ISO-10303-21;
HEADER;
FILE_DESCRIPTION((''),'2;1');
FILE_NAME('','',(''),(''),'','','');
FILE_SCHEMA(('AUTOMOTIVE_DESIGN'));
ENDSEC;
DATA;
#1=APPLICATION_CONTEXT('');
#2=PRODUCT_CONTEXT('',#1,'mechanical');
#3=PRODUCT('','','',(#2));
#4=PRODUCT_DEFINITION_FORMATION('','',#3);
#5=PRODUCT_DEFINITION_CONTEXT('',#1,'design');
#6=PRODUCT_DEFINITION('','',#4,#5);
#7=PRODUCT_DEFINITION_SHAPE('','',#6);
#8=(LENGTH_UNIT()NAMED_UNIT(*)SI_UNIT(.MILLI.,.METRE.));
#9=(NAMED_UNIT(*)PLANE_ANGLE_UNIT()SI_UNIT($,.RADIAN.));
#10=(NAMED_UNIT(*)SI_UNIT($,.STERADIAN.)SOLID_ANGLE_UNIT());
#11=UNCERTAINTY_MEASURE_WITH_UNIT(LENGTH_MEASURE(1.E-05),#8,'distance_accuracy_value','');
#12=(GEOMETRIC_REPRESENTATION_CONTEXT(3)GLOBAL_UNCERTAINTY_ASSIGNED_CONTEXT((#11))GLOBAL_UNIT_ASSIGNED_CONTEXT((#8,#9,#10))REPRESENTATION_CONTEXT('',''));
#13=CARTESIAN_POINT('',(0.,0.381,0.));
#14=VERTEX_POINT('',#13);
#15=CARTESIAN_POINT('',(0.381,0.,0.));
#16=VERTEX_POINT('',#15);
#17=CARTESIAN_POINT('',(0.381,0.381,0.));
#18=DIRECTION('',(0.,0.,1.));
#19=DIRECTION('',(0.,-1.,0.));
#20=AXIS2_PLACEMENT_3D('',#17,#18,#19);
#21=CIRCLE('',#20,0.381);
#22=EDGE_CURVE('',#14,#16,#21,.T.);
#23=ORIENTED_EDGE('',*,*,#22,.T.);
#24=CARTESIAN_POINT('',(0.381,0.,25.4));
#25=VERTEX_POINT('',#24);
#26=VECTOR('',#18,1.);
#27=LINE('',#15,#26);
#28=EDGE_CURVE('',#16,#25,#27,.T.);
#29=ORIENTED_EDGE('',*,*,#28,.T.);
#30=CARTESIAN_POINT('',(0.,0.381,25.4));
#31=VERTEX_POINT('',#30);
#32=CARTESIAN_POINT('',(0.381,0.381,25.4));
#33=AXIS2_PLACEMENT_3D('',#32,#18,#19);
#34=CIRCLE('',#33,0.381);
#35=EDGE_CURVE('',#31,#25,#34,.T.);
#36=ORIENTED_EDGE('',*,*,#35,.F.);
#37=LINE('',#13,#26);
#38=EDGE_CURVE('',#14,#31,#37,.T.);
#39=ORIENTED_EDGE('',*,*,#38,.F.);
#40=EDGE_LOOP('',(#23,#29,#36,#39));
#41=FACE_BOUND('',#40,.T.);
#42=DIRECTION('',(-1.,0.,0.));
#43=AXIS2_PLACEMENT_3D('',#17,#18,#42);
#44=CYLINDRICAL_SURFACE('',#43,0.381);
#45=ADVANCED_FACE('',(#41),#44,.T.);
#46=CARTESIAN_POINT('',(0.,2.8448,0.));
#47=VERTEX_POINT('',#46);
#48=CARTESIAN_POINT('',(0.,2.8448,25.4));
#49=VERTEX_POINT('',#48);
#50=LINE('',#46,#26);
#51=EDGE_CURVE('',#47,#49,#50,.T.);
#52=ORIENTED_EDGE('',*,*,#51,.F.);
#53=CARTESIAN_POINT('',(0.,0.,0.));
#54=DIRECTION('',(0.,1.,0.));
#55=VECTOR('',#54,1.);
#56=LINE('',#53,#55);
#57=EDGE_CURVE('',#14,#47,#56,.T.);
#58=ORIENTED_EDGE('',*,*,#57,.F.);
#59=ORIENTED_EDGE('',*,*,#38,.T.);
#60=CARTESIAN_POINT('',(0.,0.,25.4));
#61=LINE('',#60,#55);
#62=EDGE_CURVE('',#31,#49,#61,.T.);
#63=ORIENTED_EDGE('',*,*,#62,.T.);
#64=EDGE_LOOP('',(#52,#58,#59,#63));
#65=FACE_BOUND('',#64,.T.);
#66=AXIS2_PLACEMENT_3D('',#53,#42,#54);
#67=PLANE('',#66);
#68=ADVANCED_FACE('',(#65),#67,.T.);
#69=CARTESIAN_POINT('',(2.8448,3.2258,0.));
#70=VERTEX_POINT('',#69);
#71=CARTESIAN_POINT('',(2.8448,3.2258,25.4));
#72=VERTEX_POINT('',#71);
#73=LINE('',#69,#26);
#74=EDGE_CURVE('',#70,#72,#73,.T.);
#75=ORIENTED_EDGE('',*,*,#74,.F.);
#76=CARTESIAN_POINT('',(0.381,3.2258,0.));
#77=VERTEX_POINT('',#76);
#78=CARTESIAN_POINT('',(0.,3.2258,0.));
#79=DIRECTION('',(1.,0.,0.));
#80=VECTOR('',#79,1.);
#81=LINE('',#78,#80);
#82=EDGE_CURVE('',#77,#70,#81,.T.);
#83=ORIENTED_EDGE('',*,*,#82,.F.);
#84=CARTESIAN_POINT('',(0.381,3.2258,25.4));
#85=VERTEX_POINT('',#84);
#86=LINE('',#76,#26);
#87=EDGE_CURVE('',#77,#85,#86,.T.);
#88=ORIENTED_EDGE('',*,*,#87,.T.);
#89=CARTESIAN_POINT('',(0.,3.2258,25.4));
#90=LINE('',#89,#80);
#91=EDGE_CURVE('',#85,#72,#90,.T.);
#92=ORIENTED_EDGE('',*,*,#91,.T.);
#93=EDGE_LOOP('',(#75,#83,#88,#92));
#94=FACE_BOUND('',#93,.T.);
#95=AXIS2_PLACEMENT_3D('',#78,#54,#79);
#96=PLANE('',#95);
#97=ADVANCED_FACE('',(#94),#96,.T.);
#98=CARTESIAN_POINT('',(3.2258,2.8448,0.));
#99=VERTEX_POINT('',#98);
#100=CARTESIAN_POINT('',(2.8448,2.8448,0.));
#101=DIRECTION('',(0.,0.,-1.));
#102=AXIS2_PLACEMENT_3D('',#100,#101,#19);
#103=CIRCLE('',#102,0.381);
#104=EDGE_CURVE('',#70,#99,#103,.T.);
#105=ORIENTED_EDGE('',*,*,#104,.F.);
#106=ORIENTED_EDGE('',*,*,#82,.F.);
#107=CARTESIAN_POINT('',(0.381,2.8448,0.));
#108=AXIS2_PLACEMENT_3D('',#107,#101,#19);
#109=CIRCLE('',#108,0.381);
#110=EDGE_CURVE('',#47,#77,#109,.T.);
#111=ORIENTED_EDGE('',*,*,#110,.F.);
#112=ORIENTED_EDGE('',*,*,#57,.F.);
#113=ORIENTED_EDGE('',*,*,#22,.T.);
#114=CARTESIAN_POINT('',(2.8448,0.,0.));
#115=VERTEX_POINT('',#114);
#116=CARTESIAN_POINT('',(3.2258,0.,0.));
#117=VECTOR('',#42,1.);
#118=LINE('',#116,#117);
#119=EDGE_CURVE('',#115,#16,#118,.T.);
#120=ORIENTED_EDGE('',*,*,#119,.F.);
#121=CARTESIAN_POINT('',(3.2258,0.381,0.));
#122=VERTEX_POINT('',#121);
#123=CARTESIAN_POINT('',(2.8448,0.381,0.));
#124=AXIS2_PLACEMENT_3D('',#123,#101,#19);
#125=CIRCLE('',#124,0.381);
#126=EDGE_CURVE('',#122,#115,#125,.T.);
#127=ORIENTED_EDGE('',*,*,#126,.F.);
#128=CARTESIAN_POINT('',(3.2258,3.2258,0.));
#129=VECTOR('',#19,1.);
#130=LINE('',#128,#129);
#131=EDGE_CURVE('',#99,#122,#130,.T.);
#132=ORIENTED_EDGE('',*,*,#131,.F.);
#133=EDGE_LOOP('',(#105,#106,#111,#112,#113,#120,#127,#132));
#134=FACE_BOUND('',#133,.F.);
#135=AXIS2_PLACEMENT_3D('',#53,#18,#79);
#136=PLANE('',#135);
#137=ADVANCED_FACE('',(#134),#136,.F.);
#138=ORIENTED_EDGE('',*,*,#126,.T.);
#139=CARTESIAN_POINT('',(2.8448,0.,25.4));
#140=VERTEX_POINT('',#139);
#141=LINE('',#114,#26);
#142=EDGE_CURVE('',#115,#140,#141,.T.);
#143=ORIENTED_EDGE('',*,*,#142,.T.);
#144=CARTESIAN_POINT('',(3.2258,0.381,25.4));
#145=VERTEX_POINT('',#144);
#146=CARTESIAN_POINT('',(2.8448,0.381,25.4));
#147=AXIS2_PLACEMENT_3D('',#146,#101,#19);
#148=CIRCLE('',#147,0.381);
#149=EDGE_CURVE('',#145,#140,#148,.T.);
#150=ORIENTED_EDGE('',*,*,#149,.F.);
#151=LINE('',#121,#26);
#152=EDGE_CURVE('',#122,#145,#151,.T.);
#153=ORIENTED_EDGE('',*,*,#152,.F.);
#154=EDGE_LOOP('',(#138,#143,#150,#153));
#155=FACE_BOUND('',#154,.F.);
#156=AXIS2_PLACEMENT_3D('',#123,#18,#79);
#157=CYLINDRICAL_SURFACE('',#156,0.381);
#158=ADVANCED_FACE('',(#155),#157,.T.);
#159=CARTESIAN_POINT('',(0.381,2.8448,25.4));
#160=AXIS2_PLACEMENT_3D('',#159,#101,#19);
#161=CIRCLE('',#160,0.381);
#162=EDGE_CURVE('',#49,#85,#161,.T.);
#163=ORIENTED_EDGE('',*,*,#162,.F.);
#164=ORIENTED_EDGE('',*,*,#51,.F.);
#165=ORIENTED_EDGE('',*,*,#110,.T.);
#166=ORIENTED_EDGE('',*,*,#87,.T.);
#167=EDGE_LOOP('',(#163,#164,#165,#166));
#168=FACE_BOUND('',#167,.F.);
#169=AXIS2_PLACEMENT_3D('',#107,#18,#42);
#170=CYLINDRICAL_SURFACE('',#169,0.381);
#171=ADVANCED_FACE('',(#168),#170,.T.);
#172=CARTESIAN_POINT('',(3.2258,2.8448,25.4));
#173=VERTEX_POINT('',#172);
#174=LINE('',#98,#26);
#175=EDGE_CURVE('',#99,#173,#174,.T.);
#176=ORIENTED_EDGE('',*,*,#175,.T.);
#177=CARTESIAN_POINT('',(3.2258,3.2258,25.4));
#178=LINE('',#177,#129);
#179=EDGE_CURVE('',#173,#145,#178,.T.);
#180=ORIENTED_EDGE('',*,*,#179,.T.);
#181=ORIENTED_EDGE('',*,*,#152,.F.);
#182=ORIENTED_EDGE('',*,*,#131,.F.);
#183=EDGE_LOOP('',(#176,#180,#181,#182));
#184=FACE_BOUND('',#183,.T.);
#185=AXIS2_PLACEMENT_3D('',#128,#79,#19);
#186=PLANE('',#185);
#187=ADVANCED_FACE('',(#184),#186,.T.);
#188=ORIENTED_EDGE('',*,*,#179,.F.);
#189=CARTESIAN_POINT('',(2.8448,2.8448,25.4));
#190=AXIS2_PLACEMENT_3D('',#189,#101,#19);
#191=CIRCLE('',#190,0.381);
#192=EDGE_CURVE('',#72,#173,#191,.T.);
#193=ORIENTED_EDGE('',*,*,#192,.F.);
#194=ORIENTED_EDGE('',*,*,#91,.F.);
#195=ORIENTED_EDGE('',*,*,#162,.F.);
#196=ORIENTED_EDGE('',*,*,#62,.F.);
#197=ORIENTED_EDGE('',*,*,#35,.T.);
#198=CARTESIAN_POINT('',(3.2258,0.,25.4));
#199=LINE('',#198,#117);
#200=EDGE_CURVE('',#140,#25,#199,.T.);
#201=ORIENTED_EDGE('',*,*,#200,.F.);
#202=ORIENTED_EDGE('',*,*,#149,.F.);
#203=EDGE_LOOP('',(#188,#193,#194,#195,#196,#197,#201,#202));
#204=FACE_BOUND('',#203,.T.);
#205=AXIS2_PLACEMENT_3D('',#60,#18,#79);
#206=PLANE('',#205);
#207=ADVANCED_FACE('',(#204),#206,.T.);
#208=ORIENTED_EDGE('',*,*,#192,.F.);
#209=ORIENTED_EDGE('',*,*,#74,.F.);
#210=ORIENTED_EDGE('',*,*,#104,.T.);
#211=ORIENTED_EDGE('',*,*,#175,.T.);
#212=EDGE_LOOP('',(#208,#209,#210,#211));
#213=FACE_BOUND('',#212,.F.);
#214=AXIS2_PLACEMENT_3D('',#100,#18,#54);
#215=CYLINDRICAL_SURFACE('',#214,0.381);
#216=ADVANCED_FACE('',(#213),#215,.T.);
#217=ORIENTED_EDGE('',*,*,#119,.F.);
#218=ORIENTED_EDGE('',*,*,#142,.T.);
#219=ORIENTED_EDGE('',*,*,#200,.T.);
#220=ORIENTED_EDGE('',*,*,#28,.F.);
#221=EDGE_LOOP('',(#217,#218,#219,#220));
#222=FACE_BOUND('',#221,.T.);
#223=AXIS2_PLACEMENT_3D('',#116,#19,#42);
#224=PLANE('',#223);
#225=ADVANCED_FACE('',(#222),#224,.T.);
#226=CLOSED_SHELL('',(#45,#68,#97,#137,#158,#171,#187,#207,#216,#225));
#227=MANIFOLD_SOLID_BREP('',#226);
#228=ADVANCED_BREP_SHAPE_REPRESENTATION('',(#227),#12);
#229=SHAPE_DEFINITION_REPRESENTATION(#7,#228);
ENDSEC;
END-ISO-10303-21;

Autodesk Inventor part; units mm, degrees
ref_plane "YZ Plane" through (0, 0, 0) normal (1, 0, 0) x (0, 1, 0)
ref_plane "XZ Plane" through (0, 0, 0) normal (0, 1, 0) x (-1, 0, 0)
ref_plane "XY Plane" through (0, 0, 0) normal (0, 0, 1) x (1, 0, 0)
sketch "Sketch1" plane through (0, 0, 0) normal (0, 0, 1) x (1, 0, 0)
  line L0 (0, 0) -> (0, 3.2258)
  line L1 (0, 3.2258) -> (3.2258, 3.2258)
  line L2 (3.2258, 3.2258) -> (3.2258, 0)
  line L3 (3.2258, 0) -> (0, 0)
  dimension "d0" = 3.2258
  dimension "d1" = 3.2258
extrude "Extrusion1" add sketch "Sketch1" along normal blind 25.4
fillet "Fillet1" radius 0.381 4 edges at (3.2258, 3.2258, 12.7) (3.2258, 0, 12.7) (0, 3.2258, 12.7) (0, 0, 12.7)
ref_plane "Work Plane1" through (1.6129, 0.381, 25.4) normal (1, 0, 0) x (0, 0, -1)
ref_plane "Work Plane2" through (0.381, 1.6129, 25.4) normal (0, 1, 0) x (1, 0, 0)
properties part number "Vex Shaft P2" material "Steel"
